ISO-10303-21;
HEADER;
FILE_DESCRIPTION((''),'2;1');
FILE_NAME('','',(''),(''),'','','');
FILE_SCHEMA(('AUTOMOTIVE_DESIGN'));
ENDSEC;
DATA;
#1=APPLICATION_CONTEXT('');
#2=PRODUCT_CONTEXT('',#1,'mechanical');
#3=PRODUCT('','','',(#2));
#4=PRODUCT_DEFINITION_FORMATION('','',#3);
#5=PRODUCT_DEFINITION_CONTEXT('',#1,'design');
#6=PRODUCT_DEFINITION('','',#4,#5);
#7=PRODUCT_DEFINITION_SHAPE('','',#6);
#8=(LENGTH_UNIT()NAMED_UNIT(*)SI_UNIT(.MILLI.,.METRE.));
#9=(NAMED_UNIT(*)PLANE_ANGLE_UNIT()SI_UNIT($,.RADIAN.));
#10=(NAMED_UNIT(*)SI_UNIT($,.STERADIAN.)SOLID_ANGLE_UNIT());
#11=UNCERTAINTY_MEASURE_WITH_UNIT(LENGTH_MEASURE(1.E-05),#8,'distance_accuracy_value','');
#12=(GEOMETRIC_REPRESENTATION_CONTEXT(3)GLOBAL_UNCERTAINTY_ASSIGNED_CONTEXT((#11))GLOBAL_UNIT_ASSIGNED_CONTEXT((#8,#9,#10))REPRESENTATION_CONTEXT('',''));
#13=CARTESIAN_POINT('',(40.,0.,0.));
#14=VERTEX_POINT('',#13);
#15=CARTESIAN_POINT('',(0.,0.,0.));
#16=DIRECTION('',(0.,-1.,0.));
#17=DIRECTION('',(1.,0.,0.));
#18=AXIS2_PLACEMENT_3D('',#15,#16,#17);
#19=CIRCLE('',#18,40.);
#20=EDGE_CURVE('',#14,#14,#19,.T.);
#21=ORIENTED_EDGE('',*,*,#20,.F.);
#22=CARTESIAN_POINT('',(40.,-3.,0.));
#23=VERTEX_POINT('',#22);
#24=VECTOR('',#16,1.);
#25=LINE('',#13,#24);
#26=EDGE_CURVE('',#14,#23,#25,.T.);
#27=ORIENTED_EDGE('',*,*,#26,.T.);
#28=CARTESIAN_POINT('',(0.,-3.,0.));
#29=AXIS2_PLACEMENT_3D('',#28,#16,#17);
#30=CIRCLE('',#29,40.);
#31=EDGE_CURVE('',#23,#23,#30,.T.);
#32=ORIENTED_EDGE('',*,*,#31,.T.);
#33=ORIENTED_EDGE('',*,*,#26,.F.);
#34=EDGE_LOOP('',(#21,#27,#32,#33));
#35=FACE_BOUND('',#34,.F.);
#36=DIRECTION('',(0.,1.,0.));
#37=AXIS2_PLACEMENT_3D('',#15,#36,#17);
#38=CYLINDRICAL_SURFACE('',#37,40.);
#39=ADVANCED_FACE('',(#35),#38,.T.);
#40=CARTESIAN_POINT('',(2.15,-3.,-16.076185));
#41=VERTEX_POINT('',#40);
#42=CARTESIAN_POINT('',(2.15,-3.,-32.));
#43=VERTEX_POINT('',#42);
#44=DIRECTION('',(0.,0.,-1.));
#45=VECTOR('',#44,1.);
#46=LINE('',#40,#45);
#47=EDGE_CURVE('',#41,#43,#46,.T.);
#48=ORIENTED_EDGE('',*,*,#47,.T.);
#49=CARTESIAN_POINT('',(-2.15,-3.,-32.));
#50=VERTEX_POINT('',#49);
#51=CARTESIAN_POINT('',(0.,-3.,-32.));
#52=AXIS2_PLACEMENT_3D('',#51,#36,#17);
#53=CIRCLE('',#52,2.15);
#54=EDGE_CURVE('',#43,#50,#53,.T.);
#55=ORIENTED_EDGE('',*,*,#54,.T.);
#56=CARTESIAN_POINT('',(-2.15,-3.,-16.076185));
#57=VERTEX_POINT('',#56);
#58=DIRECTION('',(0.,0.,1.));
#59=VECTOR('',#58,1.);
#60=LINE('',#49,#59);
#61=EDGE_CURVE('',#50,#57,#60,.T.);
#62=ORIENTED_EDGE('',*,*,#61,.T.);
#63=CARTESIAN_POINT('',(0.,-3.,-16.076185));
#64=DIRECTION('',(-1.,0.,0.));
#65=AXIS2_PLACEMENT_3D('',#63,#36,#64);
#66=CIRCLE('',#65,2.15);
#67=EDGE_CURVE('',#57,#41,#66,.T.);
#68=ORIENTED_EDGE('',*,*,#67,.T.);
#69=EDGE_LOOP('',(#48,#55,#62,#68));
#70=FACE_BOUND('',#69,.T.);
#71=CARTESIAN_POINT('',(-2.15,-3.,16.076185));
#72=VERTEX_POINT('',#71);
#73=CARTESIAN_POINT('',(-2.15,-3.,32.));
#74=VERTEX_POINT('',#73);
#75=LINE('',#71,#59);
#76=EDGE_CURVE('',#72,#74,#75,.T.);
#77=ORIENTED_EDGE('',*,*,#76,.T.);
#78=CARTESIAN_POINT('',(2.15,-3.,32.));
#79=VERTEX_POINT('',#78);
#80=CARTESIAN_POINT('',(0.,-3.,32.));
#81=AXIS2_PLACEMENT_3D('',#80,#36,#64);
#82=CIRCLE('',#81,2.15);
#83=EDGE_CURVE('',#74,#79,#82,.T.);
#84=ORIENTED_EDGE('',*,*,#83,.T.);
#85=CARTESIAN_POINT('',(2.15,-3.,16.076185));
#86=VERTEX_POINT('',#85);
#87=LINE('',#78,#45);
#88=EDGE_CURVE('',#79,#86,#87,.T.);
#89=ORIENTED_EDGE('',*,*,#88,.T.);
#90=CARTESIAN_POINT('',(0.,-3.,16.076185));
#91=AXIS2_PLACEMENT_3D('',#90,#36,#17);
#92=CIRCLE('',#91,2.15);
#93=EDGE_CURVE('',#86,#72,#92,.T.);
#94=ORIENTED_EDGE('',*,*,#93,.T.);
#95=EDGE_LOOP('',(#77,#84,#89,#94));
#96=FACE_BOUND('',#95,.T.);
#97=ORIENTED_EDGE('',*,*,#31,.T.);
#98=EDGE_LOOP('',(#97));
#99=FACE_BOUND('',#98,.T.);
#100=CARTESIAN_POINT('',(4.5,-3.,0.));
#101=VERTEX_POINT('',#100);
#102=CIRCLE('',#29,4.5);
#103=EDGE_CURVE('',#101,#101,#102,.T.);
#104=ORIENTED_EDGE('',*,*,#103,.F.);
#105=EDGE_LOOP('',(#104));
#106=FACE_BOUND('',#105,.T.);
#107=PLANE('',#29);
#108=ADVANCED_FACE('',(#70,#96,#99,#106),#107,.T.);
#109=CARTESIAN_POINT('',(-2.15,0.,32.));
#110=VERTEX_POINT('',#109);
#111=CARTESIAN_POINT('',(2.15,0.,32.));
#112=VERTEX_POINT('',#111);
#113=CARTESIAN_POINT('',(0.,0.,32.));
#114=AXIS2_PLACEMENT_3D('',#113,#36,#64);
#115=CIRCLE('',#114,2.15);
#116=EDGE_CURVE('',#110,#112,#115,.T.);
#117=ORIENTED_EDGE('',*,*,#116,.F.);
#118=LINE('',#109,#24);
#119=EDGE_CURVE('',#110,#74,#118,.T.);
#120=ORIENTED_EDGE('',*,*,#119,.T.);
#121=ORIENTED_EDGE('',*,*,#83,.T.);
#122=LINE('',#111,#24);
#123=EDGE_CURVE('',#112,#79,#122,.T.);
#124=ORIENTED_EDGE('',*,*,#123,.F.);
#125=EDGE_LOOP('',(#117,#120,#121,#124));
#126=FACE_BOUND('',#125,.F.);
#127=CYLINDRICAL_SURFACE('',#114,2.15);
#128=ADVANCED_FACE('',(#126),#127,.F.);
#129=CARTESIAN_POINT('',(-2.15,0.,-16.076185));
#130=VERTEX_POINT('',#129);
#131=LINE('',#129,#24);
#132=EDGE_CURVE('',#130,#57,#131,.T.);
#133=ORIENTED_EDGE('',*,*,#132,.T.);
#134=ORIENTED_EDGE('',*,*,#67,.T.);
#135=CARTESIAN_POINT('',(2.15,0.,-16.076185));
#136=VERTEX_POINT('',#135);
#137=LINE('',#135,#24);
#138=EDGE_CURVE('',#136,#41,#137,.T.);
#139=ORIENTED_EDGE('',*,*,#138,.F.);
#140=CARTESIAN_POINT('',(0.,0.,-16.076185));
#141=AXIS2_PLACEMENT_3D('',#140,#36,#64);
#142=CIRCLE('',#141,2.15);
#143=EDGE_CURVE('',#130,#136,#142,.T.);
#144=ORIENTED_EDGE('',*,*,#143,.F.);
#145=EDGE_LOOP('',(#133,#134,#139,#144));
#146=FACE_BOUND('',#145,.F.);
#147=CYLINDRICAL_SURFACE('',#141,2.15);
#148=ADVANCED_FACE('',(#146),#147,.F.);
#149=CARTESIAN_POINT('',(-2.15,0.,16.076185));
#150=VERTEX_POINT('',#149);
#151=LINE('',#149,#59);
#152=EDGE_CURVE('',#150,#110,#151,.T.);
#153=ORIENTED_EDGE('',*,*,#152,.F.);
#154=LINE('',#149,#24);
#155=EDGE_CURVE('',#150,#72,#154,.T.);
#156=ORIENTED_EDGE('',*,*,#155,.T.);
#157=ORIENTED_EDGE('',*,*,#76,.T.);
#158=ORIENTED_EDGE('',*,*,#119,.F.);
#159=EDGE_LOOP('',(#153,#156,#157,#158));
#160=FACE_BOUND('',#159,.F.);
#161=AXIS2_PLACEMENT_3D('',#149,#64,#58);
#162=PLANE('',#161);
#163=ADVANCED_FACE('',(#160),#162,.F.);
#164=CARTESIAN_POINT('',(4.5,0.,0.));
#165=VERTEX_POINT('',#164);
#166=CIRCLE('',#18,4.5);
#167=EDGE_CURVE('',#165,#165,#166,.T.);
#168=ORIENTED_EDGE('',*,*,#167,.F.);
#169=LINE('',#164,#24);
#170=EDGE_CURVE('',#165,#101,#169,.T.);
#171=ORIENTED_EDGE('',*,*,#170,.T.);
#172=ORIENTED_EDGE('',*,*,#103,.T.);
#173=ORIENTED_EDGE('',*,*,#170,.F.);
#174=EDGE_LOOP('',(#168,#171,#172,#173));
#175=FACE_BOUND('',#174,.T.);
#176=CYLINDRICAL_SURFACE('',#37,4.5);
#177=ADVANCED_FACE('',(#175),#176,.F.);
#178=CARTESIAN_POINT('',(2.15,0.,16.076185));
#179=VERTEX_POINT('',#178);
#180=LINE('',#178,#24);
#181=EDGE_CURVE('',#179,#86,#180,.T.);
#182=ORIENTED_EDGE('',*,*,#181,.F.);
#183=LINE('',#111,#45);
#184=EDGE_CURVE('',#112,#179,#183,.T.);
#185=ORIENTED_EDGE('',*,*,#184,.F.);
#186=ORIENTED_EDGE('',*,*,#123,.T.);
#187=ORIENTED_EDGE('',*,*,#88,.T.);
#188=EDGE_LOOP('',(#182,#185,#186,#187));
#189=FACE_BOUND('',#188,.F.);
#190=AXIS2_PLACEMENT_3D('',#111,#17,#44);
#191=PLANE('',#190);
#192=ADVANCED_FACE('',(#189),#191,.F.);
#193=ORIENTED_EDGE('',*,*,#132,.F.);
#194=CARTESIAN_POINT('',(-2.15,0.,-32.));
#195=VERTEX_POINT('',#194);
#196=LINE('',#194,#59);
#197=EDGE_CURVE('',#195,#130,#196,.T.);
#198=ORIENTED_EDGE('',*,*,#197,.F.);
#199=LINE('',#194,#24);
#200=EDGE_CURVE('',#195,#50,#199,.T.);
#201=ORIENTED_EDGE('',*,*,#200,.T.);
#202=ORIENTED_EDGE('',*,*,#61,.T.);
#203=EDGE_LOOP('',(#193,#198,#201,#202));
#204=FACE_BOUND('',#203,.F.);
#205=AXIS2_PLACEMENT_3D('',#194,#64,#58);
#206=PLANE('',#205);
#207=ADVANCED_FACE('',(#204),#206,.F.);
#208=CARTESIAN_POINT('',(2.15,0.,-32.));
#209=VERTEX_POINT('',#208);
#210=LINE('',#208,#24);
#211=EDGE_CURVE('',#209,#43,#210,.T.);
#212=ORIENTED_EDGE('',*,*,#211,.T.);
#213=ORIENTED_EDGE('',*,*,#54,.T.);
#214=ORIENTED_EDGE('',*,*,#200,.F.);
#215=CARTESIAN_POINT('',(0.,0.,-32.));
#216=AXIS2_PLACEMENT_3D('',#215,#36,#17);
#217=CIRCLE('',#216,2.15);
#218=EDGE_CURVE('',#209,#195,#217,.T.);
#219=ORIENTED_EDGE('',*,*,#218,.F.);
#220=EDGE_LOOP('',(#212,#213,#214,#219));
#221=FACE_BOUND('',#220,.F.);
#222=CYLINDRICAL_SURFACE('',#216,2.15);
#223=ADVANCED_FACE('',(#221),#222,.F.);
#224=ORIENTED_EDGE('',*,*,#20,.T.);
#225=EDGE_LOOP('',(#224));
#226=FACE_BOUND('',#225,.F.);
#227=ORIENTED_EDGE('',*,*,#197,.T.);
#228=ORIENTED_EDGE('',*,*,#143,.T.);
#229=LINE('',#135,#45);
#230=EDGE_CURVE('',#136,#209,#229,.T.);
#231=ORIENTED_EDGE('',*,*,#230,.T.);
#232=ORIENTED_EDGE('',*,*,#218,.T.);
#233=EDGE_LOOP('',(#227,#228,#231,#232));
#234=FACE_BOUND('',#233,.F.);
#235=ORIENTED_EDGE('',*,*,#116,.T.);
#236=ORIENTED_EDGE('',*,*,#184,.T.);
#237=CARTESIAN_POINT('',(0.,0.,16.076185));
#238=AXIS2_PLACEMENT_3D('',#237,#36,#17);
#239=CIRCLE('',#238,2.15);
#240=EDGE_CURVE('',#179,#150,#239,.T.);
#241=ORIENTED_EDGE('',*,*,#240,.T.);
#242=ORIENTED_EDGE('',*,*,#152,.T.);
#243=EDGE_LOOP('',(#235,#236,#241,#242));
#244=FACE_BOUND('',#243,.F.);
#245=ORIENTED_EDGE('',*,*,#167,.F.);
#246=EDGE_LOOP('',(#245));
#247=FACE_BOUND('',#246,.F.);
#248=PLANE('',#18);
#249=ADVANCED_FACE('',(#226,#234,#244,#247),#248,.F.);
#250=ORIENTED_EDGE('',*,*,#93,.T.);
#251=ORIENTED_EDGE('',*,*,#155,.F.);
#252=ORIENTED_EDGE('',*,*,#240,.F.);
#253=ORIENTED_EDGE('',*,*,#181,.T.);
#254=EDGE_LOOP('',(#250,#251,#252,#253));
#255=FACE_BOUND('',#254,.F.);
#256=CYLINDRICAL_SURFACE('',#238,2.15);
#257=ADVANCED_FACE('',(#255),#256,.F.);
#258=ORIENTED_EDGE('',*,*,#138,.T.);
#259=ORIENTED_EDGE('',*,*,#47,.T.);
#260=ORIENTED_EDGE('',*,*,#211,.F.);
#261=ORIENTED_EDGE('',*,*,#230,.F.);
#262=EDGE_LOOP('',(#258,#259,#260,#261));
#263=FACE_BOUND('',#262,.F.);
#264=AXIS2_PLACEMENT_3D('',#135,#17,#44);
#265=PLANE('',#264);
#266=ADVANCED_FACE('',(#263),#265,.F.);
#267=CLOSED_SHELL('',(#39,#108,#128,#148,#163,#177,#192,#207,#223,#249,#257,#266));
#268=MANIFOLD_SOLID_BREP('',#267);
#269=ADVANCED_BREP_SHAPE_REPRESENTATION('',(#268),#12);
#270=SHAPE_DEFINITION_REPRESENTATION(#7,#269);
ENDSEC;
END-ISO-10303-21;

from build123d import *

# Parameters (mm, degrees)
F0_R     = 40
F0_R_2   = 4.5
F1_DEPTH = 3


with BuildPart() as f1:
    # F0 (on Front) → F1 (new body)
    with BuildSketch(Plane.XZ):
        Circle(F0_R)
        with BuildLine():
            ThreePointArc((2.15, -32), (0, -34.15), (-2.15, -32))
            Line((-2.15, -32), (-2.15, -16.076185))
            ThreePointArc((-2.15, -16.076185), (0, -13.926185), (2.15, -16.076185))
            Line((2.15, -16.076185), (2.15, -32))
        make_face(mode=Mode.SUBTRACT)
        Circle(F0_R_2, mode=Mode.SUBTRACT)
        with BuildLine():
            Line((-2.15, 16.076185), (-2.15, 32))
            ThreePointArc((-2.15, 32), (0, 34.15), (2.15, 32))
            Line((2.15, 32), (2.15, 16.076185))
            ThreePointArc((2.15, 16.076185), (0, 13.926185), (-2.15, 16.076185))
        make_face(mode=Mode.SUBTRACT)
    extrude(amount=F1_DEPTH)


solid = f1.part
